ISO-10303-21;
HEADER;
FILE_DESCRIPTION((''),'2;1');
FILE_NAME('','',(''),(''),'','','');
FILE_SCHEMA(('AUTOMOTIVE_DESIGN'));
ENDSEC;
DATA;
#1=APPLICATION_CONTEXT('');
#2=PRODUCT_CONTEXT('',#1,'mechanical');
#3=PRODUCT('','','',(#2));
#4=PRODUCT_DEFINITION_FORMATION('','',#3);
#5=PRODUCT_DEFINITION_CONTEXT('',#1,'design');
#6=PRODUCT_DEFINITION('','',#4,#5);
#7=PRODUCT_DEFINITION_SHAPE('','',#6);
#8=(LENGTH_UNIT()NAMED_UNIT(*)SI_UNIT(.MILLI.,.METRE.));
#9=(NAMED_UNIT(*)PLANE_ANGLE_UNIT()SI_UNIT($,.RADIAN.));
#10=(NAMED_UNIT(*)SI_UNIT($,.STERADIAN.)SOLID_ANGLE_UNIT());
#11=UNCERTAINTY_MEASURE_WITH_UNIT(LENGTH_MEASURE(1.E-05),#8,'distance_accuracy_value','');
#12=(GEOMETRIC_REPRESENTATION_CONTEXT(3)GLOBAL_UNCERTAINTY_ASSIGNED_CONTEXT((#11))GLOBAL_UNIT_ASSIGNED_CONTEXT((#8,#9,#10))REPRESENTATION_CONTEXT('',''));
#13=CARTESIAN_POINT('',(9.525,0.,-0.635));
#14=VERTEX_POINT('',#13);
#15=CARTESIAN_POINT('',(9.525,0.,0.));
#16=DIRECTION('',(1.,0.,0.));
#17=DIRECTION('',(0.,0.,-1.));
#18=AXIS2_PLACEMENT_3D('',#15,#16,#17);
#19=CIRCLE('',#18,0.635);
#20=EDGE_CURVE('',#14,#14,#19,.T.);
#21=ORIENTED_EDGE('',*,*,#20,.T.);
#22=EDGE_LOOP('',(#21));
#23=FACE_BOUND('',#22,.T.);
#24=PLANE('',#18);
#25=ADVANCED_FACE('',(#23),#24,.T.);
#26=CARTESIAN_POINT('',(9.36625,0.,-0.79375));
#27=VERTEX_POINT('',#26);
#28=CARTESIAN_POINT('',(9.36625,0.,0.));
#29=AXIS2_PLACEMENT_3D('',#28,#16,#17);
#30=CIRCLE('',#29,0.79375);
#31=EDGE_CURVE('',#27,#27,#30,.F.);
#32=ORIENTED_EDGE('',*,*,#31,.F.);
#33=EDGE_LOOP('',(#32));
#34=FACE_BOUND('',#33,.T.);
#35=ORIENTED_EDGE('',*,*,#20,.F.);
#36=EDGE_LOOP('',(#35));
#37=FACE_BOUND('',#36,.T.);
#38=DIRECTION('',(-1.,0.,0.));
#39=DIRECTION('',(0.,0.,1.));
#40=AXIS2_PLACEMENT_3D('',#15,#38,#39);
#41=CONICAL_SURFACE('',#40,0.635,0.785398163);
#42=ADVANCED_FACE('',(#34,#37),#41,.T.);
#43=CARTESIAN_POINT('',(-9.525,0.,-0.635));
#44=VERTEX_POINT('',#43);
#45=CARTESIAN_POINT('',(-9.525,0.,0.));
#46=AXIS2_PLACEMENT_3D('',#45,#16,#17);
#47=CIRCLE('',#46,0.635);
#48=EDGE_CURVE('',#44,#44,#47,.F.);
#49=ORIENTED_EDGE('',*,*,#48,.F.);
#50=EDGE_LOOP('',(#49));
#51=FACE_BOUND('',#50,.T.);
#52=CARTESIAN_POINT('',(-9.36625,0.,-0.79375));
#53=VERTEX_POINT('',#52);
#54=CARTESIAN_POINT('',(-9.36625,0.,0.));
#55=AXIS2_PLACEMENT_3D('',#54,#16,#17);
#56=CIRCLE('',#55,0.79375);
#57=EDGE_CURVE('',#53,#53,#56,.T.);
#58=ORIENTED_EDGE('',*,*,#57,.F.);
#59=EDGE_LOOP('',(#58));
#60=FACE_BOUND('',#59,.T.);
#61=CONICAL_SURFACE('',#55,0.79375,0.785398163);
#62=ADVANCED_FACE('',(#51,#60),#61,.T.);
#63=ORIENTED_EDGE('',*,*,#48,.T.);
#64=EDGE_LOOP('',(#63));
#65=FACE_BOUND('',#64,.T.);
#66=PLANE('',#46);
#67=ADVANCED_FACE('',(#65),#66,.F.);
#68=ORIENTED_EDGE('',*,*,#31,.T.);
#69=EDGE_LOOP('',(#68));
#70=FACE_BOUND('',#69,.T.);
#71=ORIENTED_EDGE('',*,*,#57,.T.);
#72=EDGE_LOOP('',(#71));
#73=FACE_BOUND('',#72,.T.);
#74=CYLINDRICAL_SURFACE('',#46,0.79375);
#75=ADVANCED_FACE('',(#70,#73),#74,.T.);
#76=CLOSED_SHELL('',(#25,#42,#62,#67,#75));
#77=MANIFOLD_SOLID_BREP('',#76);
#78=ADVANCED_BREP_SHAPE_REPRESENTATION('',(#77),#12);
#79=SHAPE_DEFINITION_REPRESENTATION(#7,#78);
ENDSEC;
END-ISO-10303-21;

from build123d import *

# Parameters (mm, degrees)
SKETCH2_R           = 0.79375
EXTRUDE1_DEPTH      = 9.525
EXTRUDE1_DEPTH_BACK = 9.525
CHAMFER1_SIZE       = 0.15875


with BuildPart() as part:
    # Sketch2 → Extrude1 (new body, two sides)
    with BuildSketch(Plane(origin=(0, 0, 0), x_dir=(0, 0, -1), z_dir=(1, 0, 0))) as extrude1_sk:
        Circle(SKETCH2_R)
    extrude(amount=EXTRUDE1_DEPTH)
    extrude(extrude1_sk.sketch, amount=-EXTRUDE1_DEPTH_BACK)

    # Chamfer1
    chamfer1_edges = [part.edges().sort_by_distance(p)[0] for p in [
        (-9.525, 0, 0.79375),
        (9.525, 0, 0.79375),
    ]]
    chamfer(chamfer1_edges, length=CHAMFER1_SIZE)


solid = part.part
